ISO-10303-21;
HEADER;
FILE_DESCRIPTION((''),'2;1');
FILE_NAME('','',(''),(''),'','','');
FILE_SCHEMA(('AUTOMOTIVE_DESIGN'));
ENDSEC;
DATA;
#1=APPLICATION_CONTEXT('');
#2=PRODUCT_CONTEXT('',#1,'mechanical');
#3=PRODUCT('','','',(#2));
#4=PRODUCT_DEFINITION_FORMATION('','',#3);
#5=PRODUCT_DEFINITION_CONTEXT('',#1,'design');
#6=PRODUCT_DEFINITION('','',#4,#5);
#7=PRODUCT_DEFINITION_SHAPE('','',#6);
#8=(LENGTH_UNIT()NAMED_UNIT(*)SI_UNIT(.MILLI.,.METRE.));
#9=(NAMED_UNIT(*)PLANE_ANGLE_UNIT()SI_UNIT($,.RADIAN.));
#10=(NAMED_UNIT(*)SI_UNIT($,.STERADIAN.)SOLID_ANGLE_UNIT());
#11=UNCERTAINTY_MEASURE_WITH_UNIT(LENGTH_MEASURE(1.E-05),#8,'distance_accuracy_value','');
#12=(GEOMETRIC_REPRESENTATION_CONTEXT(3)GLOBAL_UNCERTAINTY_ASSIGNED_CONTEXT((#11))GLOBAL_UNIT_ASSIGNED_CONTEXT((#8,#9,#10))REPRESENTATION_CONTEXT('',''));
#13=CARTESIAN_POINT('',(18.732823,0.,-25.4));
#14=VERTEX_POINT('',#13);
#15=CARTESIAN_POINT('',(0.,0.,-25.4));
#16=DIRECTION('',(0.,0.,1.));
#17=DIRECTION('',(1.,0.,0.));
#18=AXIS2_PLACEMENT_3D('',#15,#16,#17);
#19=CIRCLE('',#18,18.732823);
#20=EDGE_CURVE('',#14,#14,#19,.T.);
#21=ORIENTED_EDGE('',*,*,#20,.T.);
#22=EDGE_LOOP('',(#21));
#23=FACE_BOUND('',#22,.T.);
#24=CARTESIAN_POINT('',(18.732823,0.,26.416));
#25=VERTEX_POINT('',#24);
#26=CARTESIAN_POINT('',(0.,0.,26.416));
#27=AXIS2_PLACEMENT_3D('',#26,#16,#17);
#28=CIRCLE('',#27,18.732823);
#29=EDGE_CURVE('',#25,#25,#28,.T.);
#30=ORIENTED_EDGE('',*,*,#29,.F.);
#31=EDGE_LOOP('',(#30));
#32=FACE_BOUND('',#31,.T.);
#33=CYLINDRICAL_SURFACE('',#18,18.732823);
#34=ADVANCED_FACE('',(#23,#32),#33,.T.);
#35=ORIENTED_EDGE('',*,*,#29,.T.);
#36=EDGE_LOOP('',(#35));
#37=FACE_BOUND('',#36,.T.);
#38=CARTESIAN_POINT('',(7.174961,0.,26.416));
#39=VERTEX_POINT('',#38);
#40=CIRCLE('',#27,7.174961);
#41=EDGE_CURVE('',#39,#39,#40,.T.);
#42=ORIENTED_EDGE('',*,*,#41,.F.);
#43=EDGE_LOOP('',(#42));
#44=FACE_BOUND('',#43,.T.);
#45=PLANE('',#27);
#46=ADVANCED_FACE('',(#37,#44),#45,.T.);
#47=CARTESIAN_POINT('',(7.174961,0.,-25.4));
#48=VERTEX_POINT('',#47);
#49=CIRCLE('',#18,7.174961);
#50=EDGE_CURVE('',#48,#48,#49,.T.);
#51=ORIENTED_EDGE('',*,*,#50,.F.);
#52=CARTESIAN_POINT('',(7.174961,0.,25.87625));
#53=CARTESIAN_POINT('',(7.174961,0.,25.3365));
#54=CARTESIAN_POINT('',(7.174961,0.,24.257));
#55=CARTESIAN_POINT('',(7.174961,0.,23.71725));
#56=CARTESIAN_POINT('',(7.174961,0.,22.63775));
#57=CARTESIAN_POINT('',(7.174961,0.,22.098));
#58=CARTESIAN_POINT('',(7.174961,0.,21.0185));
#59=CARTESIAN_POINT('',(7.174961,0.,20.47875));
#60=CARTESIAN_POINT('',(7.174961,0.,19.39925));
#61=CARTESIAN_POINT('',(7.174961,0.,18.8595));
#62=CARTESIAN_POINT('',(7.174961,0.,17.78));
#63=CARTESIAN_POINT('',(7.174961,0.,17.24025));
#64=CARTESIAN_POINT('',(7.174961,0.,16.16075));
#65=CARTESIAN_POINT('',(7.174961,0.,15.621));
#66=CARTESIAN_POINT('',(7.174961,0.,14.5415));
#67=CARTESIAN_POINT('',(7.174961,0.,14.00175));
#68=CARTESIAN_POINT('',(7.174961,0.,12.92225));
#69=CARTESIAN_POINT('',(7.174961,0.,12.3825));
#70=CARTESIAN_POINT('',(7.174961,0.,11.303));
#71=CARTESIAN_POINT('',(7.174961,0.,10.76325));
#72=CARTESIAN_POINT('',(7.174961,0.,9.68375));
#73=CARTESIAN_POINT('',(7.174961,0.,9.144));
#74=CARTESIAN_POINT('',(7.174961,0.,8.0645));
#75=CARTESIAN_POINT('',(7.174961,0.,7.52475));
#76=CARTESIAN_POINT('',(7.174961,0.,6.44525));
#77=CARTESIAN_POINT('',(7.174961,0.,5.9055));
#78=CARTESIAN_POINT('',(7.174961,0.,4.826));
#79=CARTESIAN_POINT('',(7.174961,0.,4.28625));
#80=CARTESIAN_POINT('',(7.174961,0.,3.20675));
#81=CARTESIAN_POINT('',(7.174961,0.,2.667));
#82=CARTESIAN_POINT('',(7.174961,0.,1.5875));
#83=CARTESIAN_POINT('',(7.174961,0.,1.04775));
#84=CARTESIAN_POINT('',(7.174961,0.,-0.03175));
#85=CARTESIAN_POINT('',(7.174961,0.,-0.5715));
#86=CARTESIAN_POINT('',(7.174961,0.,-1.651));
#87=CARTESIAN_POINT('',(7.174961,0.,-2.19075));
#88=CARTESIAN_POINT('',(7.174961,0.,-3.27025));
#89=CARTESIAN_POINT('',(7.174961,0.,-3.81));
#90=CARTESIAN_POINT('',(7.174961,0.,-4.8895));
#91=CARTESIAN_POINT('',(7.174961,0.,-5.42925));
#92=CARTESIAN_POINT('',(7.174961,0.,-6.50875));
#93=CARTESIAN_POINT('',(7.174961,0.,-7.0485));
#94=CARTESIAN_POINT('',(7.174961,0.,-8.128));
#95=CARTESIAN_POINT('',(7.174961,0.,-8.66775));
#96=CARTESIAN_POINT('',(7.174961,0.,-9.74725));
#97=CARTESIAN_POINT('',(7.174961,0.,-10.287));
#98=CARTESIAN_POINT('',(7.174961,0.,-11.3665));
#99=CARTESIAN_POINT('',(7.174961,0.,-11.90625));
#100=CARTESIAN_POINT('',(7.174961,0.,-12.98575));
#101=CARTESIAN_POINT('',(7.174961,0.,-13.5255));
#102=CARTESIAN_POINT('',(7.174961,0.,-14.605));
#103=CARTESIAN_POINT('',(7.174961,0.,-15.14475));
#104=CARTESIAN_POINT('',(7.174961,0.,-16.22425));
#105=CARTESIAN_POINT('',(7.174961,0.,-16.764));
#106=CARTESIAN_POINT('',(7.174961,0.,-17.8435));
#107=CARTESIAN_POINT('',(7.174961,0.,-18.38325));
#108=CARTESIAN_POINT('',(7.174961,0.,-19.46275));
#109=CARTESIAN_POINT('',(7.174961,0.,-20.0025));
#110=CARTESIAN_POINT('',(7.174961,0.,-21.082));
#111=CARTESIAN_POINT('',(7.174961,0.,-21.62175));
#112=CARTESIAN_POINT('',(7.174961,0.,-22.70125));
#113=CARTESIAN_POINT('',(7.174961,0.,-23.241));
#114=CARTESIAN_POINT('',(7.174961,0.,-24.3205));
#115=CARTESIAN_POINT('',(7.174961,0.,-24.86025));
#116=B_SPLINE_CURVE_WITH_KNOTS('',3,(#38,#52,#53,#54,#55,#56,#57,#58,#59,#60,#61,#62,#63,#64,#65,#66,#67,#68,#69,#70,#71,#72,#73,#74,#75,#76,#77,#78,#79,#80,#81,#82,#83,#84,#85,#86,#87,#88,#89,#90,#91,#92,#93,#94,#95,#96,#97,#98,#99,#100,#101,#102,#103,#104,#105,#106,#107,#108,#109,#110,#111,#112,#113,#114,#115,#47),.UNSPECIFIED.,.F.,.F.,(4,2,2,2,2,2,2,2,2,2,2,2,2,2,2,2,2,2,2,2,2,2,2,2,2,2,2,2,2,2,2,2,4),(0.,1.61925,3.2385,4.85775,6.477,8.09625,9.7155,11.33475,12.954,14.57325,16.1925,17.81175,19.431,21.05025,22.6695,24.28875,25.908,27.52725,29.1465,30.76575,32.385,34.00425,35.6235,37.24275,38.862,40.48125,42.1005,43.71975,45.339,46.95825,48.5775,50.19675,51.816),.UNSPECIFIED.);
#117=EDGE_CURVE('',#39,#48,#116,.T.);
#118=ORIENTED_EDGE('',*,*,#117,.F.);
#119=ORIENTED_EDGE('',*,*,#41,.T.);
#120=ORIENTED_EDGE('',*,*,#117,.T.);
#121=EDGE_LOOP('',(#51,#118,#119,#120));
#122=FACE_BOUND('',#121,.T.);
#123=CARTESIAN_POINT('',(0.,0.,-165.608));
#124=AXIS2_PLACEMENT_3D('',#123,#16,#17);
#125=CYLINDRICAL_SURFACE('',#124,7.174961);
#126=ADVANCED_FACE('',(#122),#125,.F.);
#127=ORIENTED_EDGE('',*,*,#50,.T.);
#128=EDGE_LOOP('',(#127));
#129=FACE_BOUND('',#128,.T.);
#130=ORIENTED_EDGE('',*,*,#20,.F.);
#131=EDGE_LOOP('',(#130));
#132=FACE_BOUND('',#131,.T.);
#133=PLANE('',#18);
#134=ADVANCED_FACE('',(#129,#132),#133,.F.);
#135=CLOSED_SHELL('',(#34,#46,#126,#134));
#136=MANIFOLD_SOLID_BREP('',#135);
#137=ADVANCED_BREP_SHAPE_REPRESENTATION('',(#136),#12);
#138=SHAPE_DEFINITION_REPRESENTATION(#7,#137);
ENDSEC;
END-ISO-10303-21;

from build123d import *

# Parameters (mm, degrees)
BOSS_EXTRUDE1_DEPTH      = 26.416
BOSS_EXTRUDE1_DEPTH_BACK = 25.4
SKETCH1_R                = 18.732822776
SKETCH2_R                = 7.174960668
CUT_EXTRUDE1_DEPTH       = 192.024


with BuildPart() as part:
    # Sketch1 → Boss-Extrude1 (new, two sides: drawn at the far end of the back side and taken through both)
    with BuildSketch(Plane.XY.offset(-BOSS_EXTRUDE1_DEPTH_BACK)):
        Circle(SKETCH1_R)
    extrude(amount=BOSS_EXTRUDE1_DEPTH + BOSS_EXTRUDE1_DEPTH_BACK)

    # Sketch2 → Cut-Extrude1 (cut)
    with BuildSketch(Plane.XY.offset(26.416)):
        Circle(SKETCH2_R)
    extrude(amount=-CUT_EXTRUDE1_DEPTH, mode=Mode.SUBTRACT)


solid = part.part
